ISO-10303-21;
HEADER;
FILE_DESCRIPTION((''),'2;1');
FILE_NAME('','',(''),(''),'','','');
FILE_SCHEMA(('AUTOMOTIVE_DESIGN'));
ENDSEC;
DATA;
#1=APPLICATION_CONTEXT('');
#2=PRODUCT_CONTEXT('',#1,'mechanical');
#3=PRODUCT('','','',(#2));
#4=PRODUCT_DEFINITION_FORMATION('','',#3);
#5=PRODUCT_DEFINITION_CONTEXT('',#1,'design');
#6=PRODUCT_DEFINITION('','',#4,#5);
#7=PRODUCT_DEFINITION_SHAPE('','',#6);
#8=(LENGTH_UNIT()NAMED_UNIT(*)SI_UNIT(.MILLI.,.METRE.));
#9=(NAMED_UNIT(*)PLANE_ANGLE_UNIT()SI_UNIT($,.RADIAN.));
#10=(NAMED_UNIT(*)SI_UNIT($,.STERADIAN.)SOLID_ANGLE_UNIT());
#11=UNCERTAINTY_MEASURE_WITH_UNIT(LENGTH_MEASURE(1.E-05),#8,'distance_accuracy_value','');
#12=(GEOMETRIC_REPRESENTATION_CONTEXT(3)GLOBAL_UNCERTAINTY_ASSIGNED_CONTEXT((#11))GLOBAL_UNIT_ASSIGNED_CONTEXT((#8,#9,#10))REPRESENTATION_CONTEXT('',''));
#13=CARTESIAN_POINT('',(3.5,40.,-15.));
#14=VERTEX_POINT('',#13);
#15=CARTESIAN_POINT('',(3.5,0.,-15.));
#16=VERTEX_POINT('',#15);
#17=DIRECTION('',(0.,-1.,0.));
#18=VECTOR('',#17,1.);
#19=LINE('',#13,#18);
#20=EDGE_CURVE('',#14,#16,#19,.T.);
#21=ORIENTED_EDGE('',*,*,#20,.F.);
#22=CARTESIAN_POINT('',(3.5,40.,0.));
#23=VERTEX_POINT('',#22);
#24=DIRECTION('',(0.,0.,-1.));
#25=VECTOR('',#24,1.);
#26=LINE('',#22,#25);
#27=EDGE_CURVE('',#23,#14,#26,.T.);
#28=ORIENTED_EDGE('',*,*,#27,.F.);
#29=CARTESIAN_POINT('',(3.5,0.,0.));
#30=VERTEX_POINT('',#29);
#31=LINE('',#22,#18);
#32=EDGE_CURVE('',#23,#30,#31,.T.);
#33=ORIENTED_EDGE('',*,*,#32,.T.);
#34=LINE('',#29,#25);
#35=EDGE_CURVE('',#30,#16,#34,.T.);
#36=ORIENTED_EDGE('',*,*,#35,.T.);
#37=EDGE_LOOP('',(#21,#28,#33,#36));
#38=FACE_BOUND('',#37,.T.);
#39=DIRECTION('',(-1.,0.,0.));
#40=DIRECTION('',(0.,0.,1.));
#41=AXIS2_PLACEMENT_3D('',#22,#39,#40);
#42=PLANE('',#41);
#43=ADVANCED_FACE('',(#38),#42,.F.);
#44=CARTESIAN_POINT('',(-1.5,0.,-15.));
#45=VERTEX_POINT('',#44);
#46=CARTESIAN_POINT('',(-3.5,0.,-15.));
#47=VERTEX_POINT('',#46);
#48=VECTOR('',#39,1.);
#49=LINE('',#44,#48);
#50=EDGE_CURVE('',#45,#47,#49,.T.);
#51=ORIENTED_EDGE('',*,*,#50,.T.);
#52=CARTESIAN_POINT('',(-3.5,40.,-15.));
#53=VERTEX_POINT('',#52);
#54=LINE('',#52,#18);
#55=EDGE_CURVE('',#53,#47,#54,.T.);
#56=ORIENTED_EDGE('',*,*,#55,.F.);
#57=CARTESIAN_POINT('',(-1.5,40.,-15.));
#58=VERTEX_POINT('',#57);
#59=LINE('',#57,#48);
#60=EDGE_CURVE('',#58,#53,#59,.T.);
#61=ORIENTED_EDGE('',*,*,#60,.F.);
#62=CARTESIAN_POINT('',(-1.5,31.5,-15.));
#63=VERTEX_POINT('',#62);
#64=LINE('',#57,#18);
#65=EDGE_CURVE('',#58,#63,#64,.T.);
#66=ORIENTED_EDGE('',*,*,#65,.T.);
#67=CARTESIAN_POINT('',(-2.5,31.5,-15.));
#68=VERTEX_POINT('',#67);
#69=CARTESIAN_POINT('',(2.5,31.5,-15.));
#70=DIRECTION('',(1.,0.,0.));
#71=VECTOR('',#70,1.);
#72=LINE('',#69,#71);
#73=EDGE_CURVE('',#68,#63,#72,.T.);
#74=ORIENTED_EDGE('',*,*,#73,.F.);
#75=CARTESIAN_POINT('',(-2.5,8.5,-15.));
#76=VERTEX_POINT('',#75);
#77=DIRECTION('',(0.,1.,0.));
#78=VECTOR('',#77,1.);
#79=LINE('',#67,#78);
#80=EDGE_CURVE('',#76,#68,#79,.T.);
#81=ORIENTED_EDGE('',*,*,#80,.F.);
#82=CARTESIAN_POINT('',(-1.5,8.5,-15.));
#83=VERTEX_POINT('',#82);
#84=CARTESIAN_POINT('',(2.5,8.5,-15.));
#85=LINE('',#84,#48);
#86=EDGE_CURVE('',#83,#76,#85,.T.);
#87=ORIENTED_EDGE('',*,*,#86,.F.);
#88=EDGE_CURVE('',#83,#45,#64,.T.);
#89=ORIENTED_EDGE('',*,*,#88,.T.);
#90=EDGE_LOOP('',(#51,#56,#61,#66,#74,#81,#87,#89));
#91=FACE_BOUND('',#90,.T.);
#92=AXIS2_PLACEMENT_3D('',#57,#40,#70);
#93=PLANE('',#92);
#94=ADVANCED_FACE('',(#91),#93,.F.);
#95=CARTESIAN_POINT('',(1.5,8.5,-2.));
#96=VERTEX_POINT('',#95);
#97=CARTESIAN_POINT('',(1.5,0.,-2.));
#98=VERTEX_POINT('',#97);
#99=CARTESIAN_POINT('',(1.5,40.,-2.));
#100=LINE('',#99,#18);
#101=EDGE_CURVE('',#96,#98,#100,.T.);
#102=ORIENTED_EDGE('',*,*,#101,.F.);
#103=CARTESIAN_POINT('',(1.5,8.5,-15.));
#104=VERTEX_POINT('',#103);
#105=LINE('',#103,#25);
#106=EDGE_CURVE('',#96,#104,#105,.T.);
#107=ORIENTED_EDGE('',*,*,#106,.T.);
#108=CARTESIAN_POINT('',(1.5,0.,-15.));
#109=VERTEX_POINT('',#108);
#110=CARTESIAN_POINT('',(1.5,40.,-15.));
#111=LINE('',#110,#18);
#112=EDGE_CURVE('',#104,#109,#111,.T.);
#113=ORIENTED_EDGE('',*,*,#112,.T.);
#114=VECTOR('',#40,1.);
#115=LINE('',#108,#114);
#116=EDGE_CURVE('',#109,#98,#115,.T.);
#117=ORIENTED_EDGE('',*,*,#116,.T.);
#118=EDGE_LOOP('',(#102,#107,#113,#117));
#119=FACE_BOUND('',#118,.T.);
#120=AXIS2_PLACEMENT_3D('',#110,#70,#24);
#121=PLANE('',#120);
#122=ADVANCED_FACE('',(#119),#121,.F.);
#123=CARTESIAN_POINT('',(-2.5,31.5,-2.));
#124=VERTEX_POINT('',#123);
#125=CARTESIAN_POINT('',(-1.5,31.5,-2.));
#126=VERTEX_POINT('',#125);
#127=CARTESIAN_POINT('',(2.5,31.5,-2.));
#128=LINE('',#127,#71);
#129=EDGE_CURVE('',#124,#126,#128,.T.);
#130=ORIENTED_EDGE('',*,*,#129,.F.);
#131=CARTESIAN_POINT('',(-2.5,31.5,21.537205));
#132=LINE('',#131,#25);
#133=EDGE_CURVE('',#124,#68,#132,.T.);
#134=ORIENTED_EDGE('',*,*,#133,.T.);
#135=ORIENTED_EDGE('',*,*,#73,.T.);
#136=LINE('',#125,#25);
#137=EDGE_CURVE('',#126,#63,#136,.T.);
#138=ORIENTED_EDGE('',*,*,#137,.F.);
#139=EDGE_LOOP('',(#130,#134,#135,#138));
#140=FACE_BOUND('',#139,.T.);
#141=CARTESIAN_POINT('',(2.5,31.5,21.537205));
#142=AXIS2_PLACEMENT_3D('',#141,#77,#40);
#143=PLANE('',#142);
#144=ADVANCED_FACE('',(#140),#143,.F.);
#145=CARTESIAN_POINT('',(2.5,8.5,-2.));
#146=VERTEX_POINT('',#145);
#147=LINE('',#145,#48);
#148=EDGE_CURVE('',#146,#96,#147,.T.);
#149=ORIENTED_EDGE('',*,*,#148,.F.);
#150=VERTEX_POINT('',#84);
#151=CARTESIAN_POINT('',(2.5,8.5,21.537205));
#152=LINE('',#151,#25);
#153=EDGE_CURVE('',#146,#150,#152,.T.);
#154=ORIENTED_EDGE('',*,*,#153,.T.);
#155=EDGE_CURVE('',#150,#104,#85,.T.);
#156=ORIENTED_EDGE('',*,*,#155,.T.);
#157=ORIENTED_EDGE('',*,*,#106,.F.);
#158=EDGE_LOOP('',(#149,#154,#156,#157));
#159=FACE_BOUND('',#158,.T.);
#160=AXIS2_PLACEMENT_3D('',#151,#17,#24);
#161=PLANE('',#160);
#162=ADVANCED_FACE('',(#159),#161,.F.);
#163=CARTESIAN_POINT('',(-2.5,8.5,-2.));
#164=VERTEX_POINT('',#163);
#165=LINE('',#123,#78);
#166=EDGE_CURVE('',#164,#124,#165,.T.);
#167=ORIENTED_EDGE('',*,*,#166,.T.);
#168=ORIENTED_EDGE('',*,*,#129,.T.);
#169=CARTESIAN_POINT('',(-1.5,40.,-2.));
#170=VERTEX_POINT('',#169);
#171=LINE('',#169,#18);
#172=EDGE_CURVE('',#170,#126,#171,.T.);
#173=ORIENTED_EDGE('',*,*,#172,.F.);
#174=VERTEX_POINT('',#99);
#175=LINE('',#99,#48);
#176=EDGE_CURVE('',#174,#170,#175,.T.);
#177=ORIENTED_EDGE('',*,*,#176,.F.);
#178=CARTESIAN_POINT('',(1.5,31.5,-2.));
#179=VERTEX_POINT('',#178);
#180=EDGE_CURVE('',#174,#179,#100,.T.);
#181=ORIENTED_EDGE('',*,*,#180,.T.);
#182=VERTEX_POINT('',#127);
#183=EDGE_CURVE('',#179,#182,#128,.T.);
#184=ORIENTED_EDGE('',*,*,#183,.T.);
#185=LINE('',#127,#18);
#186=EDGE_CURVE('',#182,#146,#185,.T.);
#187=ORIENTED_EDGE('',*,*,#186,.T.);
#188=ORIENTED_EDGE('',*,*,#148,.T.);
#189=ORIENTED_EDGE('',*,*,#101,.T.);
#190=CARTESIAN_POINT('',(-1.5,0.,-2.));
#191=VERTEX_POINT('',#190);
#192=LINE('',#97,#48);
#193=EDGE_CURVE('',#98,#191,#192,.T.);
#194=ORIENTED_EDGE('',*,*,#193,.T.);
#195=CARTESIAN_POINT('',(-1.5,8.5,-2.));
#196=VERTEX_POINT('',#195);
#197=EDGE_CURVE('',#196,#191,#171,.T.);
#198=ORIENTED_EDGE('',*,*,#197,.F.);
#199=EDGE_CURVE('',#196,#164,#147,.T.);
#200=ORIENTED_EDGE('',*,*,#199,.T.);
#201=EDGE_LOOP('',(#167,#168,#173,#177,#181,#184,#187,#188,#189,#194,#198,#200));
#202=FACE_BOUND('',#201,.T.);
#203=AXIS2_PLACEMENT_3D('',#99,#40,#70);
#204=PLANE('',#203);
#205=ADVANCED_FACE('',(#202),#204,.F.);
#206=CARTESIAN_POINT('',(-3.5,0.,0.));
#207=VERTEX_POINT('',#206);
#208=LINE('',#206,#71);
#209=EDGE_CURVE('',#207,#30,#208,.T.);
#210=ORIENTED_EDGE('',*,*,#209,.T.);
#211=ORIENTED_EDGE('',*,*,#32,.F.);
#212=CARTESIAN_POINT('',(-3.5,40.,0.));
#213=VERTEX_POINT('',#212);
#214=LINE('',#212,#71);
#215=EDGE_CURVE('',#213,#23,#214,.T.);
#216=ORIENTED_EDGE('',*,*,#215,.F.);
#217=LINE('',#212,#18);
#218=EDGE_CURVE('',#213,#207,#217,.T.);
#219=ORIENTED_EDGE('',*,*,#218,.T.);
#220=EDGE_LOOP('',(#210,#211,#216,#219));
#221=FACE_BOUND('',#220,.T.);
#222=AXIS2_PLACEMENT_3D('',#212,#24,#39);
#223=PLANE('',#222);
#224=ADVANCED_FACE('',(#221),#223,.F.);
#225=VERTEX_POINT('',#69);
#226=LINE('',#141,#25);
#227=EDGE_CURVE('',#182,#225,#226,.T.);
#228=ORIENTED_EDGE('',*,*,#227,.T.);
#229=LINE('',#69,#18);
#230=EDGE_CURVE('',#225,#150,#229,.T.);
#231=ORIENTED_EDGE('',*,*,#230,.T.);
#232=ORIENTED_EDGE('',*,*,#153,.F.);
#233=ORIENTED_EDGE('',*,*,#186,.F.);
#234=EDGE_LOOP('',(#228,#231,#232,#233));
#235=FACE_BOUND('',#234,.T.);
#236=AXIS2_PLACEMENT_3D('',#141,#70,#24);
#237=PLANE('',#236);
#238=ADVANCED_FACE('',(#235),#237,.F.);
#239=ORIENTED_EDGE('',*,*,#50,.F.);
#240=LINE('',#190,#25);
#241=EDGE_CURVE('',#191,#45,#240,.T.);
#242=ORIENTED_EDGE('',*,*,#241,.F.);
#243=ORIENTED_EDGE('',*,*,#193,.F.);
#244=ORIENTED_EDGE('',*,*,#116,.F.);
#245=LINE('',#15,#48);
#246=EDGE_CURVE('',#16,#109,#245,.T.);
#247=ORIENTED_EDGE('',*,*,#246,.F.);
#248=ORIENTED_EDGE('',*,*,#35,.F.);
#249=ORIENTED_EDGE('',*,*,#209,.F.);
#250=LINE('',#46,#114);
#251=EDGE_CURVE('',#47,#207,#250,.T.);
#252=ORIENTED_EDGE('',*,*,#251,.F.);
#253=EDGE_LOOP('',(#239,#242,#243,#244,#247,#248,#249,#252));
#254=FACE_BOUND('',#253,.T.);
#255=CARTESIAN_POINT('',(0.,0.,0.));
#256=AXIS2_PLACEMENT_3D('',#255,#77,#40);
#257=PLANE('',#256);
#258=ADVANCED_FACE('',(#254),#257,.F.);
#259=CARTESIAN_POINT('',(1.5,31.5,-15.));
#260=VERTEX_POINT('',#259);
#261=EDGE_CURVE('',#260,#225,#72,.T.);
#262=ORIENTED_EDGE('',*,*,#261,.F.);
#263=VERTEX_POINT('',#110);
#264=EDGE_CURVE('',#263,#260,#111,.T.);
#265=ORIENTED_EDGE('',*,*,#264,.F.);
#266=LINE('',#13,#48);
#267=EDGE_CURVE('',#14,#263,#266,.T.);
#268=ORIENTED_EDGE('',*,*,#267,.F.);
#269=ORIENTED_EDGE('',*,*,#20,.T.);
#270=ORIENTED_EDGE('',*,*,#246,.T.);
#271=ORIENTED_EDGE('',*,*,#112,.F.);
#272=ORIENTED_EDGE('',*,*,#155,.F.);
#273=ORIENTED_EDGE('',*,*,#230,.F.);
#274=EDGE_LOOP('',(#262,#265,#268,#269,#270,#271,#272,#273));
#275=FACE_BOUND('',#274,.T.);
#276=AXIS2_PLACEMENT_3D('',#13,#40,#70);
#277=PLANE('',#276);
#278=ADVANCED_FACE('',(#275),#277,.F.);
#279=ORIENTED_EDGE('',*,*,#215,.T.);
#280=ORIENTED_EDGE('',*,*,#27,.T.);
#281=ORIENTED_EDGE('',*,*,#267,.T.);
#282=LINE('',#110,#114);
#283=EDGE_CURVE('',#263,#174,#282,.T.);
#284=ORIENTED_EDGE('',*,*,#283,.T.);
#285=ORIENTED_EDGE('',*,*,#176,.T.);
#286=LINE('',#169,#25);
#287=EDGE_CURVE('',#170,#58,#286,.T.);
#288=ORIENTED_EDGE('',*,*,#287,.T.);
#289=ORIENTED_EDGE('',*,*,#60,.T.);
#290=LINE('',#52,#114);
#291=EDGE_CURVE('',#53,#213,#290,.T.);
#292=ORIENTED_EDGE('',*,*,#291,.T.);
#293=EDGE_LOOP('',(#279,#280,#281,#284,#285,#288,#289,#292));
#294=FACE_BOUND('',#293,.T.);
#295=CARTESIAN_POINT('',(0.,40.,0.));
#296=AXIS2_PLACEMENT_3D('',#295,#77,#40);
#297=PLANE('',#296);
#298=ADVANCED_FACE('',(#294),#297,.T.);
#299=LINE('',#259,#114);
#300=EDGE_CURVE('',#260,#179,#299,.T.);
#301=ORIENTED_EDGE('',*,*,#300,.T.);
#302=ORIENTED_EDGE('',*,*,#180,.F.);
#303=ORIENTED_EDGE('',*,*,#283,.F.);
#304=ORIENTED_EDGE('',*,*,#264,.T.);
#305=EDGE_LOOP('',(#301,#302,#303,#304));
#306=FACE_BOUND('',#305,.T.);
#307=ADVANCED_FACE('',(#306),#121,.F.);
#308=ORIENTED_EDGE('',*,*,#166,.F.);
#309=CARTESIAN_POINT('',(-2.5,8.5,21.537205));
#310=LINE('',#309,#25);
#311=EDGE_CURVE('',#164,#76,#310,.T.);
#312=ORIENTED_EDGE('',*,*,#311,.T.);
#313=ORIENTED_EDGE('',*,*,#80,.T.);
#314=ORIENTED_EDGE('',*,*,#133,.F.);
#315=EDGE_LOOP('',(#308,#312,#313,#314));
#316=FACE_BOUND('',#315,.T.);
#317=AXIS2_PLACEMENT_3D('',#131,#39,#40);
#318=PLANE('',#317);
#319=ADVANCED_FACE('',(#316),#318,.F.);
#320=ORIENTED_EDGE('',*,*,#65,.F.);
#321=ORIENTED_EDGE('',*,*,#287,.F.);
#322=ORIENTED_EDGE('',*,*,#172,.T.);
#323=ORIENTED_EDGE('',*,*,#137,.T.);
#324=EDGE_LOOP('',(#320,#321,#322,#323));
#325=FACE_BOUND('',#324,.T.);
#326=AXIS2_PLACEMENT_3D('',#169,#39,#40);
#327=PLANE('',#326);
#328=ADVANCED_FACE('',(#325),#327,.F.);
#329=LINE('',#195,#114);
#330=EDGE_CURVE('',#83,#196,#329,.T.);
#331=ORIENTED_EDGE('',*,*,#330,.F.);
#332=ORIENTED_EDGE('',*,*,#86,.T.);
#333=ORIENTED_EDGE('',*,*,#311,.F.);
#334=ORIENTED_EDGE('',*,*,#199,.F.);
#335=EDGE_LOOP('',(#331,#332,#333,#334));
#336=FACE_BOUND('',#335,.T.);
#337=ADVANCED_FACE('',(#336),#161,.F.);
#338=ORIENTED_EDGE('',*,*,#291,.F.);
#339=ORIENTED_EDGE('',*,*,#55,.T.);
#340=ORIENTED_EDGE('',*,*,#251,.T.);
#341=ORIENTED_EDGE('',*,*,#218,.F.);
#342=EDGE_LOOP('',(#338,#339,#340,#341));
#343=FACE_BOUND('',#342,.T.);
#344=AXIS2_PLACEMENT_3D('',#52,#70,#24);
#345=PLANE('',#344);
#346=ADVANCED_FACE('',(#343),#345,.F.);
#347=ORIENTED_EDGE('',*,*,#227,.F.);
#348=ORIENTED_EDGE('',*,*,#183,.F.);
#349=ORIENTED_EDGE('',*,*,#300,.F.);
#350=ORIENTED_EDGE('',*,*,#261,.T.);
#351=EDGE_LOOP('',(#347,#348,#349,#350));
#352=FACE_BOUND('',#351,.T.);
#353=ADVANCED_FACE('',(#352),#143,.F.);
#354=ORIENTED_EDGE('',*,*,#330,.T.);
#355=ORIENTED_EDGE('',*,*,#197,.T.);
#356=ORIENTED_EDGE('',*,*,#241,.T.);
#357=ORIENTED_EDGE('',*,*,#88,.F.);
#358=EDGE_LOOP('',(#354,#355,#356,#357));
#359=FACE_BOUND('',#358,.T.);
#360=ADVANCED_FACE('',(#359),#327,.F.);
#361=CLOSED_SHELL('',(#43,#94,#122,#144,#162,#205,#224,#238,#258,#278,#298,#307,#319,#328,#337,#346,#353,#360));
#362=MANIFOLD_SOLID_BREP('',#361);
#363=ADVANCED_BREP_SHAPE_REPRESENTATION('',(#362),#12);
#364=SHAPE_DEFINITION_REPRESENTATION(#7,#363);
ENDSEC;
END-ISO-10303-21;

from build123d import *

# Parameters (mm, degrees)
BOSS_EXTRUDE1_DEPTH = 40
SKETCH3_W           = 5
SKETCH3_H           = 23
CUT_EXTRUDE1_DEPTH  = 13


with BuildPart() as part:
    # Sketch1 → Boss-Extrude1 (new body)
    with BuildSketch(Plane(origin=(0, 0, 0), x_dir=(1, 0, 0), z_dir=(0, 1, 0))):
        Polygon((-3.5, 15), (-3.5, 0), (3.5, 0), (3.5, 15), (1.5, 15), (1.5, 2), (-1.5, 2), (-1.5, 15), align=None)
    extrude(amount=BOSS_EXTRUDE1_DEPTH)

    # Sketch3 → Cut-Extrude1 (cut)
    with BuildSketch(Plane(origin=(0, 0, -15), x_dir=(-1, 0, 0), z_dir=(0, 0, -1))):
        with Locations((0, 20)):
            Rectangle(SKETCH3_W, SKETCH3_H)
    extrude(amount=-CUT_EXTRUDE1_DEPTH, mode=Mode.SUBTRACT)


solid = part.part
